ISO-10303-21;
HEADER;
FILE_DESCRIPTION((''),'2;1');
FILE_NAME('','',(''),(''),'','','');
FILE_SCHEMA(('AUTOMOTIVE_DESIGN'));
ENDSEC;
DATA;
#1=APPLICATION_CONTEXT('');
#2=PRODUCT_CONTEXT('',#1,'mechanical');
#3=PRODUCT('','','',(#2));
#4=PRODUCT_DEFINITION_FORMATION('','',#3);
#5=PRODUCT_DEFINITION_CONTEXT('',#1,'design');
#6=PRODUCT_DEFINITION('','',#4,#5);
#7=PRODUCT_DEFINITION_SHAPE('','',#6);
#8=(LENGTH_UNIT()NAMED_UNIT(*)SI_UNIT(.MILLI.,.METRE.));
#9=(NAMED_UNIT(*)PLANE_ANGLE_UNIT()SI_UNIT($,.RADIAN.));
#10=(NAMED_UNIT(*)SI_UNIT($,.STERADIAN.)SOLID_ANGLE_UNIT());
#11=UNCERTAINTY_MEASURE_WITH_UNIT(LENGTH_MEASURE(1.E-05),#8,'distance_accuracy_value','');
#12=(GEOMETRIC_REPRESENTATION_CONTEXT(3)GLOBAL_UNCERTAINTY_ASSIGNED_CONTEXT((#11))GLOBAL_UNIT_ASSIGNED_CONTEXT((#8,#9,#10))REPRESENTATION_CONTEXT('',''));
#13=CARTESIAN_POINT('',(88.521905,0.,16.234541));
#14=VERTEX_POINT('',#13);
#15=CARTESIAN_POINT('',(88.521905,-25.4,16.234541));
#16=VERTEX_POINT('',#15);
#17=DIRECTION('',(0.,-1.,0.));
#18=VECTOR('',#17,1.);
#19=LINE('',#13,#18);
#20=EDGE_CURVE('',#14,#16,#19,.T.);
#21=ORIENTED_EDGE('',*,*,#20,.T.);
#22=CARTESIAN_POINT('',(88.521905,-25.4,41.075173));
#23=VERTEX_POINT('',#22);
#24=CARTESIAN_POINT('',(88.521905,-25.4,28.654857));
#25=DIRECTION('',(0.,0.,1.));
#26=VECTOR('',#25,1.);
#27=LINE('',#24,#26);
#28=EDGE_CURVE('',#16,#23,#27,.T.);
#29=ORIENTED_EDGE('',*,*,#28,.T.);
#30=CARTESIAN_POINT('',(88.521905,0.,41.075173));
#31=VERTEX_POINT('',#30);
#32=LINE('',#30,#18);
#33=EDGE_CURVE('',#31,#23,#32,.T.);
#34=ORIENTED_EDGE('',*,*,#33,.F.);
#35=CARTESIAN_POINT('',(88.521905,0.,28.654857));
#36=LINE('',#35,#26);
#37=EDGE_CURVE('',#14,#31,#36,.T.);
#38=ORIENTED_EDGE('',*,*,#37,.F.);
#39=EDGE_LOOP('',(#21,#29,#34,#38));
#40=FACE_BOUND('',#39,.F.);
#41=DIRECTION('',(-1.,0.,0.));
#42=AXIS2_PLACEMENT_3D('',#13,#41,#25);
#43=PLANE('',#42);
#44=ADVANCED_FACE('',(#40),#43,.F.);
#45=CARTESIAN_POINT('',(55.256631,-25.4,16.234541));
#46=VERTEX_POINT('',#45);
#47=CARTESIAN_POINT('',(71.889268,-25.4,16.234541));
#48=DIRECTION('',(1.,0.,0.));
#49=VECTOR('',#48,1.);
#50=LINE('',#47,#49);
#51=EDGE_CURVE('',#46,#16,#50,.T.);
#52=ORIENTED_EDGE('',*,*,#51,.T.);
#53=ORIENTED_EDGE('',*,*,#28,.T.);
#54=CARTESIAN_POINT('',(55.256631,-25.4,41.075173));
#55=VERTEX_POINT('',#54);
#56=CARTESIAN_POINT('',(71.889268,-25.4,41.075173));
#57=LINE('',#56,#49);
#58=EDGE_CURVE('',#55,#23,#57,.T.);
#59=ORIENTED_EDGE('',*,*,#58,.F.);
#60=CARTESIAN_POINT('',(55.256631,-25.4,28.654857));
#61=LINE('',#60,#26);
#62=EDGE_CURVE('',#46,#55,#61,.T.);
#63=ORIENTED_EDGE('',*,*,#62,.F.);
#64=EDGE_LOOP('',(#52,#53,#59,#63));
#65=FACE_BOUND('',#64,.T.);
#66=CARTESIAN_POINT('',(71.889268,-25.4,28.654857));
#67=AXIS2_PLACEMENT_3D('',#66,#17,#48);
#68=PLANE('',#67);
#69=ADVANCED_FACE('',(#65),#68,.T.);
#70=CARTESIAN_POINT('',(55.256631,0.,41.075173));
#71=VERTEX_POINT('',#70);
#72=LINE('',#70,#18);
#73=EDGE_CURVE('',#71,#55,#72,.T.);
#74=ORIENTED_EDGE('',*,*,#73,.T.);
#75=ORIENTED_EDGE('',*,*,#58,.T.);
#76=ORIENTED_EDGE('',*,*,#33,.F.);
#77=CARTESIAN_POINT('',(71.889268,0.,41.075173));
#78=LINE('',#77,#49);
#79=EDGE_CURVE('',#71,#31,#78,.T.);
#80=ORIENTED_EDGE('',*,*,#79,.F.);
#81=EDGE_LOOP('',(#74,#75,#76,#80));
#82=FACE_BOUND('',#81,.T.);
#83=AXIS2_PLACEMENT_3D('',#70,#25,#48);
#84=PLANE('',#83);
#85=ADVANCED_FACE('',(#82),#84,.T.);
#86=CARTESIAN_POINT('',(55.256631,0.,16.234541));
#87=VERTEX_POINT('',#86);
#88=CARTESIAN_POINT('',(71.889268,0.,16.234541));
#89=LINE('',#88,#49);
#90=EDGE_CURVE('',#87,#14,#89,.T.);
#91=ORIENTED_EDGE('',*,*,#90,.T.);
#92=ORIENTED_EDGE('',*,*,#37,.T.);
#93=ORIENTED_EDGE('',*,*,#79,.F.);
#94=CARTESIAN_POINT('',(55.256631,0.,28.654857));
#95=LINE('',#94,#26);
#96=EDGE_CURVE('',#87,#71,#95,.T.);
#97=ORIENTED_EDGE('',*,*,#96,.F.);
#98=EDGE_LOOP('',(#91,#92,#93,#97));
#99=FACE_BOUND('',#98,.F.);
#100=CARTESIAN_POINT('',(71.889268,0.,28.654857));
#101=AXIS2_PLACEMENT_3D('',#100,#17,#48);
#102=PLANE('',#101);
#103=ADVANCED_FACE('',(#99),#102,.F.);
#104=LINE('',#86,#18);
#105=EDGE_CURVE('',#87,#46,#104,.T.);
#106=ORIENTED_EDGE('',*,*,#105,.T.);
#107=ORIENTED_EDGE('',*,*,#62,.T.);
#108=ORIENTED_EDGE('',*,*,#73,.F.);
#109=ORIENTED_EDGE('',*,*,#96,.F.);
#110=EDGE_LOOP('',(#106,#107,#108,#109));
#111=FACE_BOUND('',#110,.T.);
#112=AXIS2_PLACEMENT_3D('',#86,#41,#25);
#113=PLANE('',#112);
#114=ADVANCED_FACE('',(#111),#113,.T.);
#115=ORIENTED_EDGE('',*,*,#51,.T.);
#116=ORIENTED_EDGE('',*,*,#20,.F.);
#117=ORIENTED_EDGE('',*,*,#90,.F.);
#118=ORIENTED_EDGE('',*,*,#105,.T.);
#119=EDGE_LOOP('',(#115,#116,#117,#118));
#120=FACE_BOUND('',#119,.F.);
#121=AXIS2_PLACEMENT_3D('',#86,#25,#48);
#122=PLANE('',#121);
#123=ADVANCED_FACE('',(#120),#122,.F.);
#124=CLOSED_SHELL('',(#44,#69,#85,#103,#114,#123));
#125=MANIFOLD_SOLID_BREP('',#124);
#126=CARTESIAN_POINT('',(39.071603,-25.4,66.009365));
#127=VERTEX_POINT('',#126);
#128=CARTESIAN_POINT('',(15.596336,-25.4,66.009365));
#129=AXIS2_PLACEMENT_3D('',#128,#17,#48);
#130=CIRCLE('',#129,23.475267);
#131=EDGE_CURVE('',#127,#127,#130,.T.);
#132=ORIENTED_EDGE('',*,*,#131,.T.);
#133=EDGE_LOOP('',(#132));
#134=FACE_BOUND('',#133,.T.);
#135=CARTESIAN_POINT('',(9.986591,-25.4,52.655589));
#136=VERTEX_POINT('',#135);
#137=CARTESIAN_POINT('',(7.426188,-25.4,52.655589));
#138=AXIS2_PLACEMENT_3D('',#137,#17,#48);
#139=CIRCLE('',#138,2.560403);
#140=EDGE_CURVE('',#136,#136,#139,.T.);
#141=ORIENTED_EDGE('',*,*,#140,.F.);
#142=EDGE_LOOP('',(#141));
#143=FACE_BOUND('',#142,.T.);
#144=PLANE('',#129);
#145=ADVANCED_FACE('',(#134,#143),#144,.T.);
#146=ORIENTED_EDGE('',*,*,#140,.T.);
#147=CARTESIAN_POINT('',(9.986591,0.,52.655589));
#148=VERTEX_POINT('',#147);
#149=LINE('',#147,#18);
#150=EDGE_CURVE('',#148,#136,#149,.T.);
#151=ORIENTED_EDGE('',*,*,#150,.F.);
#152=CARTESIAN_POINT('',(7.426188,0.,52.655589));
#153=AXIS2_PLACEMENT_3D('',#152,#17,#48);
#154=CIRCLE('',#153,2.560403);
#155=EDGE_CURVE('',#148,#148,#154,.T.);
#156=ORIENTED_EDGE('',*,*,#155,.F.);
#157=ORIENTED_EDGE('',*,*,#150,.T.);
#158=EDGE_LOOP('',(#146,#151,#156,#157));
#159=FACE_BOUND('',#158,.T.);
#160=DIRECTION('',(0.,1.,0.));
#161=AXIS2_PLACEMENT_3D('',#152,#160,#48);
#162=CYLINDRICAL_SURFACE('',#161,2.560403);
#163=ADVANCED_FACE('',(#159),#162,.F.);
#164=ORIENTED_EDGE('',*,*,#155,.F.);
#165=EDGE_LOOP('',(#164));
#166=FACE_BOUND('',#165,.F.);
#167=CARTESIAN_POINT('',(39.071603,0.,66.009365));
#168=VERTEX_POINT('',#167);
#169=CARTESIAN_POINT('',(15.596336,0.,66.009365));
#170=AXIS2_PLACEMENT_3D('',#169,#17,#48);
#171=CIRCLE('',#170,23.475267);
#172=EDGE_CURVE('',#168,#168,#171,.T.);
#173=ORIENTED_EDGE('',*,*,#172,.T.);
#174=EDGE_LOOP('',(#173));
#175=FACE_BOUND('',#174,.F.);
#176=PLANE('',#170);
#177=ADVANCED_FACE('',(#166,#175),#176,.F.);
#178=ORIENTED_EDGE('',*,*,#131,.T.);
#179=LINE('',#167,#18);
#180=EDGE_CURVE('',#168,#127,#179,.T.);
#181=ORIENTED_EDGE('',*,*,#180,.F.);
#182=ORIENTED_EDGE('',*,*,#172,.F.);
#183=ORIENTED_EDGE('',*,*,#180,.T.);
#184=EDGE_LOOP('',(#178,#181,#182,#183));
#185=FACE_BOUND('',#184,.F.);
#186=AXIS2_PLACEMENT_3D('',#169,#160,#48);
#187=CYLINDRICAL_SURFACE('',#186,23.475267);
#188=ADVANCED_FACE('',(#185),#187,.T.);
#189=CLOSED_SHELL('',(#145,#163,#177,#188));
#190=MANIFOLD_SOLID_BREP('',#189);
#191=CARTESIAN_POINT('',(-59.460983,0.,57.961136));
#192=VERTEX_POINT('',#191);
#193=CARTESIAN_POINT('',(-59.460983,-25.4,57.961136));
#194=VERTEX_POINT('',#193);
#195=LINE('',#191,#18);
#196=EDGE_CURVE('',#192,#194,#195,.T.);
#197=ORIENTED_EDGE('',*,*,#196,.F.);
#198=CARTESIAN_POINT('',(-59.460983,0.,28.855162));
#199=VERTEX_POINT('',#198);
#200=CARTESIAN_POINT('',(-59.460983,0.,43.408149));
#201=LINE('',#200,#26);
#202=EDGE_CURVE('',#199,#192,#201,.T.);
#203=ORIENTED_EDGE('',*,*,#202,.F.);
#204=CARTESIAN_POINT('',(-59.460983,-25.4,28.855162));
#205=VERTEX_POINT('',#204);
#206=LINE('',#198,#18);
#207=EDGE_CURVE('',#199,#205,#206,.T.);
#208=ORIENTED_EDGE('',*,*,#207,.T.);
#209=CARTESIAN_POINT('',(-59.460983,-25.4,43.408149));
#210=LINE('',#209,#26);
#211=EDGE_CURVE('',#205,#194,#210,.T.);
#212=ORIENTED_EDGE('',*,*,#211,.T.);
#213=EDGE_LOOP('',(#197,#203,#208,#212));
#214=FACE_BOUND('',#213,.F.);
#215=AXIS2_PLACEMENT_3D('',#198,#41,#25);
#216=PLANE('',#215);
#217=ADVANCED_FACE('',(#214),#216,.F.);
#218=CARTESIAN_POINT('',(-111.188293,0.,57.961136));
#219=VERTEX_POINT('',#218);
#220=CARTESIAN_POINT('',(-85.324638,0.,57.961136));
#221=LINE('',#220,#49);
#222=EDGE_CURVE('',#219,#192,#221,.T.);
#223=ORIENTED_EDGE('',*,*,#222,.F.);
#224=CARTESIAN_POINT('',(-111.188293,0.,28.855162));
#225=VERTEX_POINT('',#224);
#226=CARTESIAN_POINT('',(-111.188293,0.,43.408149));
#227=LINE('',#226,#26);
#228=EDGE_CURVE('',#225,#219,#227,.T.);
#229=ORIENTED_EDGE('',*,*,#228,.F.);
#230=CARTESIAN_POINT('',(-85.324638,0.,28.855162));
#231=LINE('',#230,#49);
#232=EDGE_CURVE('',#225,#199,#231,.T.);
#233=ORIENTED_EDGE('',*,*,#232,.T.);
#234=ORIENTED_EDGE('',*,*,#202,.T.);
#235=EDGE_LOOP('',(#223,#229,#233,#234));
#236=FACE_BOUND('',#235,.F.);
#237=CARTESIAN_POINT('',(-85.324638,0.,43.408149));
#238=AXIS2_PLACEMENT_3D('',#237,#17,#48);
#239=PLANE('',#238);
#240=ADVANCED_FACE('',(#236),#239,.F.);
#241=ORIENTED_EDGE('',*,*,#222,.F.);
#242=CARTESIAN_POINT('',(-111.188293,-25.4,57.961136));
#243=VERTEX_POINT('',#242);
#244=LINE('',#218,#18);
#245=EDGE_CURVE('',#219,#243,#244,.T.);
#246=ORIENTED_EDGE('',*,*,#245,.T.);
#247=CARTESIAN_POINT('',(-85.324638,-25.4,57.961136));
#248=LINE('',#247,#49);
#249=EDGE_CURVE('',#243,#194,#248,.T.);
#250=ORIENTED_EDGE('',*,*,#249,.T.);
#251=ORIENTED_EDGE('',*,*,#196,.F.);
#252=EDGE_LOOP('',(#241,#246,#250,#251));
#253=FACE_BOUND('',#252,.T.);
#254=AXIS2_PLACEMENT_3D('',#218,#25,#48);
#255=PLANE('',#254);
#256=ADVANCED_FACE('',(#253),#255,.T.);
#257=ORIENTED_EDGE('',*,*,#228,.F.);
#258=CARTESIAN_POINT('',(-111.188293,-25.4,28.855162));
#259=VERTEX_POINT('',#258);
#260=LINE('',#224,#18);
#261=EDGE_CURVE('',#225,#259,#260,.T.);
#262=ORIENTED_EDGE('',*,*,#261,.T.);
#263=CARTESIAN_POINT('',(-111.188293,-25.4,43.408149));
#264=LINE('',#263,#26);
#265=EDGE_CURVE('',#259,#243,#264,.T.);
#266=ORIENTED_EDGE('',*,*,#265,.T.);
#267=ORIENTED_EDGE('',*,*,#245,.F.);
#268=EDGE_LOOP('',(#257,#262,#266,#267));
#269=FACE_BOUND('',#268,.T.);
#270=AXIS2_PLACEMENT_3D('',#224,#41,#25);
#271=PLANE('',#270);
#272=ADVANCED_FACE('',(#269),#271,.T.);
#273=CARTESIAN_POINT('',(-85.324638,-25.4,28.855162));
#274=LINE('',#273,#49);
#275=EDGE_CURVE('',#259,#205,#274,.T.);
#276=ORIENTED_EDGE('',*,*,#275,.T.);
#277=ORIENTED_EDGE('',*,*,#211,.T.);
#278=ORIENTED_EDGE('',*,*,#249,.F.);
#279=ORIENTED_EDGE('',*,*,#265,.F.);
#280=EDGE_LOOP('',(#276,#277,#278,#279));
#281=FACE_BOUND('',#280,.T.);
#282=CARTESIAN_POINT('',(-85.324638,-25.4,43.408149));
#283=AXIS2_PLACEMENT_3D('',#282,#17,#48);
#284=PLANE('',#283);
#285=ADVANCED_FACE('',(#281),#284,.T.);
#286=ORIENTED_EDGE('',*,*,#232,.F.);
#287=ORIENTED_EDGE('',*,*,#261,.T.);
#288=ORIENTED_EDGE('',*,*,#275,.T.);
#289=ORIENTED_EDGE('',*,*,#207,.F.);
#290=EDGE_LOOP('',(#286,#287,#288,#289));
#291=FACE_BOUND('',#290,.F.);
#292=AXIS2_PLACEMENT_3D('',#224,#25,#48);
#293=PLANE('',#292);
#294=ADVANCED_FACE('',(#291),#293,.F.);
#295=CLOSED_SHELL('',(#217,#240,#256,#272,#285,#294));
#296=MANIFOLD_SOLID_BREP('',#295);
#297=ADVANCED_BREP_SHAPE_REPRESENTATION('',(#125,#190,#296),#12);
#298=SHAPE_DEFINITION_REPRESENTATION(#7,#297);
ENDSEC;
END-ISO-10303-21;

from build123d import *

# Parameters (mm, degrees)
F0_W     = 51.72731
F0_H     = 29.105974
F0_R     = 23.475267
F0_R_2   = 2.560403
F0_W_2   = 33.265274
F0_H_2   = 24.840633
F1_DEPTH = 25.4


with BuildPart() as f1:
    # F0 (on Front) → F1 (new body)
    with BuildSketch(Plane.XZ):
        with Locations((-85.324638, 43.408149)):
            Rectangle(F0_W, F0_H)
        with Locations((15.596336, 66.009365)):
            Circle(F0_R)
        with Locations((7.426188, 52.655589)):
            Circle(F0_R_2, mode=Mode.SUBTRACT)
        with Locations((71.889268, 28.654857)):
            Rectangle(F0_W_2, F0_H_2)
    extrude(amount=F1_DEPTH)


solid = f1.part
